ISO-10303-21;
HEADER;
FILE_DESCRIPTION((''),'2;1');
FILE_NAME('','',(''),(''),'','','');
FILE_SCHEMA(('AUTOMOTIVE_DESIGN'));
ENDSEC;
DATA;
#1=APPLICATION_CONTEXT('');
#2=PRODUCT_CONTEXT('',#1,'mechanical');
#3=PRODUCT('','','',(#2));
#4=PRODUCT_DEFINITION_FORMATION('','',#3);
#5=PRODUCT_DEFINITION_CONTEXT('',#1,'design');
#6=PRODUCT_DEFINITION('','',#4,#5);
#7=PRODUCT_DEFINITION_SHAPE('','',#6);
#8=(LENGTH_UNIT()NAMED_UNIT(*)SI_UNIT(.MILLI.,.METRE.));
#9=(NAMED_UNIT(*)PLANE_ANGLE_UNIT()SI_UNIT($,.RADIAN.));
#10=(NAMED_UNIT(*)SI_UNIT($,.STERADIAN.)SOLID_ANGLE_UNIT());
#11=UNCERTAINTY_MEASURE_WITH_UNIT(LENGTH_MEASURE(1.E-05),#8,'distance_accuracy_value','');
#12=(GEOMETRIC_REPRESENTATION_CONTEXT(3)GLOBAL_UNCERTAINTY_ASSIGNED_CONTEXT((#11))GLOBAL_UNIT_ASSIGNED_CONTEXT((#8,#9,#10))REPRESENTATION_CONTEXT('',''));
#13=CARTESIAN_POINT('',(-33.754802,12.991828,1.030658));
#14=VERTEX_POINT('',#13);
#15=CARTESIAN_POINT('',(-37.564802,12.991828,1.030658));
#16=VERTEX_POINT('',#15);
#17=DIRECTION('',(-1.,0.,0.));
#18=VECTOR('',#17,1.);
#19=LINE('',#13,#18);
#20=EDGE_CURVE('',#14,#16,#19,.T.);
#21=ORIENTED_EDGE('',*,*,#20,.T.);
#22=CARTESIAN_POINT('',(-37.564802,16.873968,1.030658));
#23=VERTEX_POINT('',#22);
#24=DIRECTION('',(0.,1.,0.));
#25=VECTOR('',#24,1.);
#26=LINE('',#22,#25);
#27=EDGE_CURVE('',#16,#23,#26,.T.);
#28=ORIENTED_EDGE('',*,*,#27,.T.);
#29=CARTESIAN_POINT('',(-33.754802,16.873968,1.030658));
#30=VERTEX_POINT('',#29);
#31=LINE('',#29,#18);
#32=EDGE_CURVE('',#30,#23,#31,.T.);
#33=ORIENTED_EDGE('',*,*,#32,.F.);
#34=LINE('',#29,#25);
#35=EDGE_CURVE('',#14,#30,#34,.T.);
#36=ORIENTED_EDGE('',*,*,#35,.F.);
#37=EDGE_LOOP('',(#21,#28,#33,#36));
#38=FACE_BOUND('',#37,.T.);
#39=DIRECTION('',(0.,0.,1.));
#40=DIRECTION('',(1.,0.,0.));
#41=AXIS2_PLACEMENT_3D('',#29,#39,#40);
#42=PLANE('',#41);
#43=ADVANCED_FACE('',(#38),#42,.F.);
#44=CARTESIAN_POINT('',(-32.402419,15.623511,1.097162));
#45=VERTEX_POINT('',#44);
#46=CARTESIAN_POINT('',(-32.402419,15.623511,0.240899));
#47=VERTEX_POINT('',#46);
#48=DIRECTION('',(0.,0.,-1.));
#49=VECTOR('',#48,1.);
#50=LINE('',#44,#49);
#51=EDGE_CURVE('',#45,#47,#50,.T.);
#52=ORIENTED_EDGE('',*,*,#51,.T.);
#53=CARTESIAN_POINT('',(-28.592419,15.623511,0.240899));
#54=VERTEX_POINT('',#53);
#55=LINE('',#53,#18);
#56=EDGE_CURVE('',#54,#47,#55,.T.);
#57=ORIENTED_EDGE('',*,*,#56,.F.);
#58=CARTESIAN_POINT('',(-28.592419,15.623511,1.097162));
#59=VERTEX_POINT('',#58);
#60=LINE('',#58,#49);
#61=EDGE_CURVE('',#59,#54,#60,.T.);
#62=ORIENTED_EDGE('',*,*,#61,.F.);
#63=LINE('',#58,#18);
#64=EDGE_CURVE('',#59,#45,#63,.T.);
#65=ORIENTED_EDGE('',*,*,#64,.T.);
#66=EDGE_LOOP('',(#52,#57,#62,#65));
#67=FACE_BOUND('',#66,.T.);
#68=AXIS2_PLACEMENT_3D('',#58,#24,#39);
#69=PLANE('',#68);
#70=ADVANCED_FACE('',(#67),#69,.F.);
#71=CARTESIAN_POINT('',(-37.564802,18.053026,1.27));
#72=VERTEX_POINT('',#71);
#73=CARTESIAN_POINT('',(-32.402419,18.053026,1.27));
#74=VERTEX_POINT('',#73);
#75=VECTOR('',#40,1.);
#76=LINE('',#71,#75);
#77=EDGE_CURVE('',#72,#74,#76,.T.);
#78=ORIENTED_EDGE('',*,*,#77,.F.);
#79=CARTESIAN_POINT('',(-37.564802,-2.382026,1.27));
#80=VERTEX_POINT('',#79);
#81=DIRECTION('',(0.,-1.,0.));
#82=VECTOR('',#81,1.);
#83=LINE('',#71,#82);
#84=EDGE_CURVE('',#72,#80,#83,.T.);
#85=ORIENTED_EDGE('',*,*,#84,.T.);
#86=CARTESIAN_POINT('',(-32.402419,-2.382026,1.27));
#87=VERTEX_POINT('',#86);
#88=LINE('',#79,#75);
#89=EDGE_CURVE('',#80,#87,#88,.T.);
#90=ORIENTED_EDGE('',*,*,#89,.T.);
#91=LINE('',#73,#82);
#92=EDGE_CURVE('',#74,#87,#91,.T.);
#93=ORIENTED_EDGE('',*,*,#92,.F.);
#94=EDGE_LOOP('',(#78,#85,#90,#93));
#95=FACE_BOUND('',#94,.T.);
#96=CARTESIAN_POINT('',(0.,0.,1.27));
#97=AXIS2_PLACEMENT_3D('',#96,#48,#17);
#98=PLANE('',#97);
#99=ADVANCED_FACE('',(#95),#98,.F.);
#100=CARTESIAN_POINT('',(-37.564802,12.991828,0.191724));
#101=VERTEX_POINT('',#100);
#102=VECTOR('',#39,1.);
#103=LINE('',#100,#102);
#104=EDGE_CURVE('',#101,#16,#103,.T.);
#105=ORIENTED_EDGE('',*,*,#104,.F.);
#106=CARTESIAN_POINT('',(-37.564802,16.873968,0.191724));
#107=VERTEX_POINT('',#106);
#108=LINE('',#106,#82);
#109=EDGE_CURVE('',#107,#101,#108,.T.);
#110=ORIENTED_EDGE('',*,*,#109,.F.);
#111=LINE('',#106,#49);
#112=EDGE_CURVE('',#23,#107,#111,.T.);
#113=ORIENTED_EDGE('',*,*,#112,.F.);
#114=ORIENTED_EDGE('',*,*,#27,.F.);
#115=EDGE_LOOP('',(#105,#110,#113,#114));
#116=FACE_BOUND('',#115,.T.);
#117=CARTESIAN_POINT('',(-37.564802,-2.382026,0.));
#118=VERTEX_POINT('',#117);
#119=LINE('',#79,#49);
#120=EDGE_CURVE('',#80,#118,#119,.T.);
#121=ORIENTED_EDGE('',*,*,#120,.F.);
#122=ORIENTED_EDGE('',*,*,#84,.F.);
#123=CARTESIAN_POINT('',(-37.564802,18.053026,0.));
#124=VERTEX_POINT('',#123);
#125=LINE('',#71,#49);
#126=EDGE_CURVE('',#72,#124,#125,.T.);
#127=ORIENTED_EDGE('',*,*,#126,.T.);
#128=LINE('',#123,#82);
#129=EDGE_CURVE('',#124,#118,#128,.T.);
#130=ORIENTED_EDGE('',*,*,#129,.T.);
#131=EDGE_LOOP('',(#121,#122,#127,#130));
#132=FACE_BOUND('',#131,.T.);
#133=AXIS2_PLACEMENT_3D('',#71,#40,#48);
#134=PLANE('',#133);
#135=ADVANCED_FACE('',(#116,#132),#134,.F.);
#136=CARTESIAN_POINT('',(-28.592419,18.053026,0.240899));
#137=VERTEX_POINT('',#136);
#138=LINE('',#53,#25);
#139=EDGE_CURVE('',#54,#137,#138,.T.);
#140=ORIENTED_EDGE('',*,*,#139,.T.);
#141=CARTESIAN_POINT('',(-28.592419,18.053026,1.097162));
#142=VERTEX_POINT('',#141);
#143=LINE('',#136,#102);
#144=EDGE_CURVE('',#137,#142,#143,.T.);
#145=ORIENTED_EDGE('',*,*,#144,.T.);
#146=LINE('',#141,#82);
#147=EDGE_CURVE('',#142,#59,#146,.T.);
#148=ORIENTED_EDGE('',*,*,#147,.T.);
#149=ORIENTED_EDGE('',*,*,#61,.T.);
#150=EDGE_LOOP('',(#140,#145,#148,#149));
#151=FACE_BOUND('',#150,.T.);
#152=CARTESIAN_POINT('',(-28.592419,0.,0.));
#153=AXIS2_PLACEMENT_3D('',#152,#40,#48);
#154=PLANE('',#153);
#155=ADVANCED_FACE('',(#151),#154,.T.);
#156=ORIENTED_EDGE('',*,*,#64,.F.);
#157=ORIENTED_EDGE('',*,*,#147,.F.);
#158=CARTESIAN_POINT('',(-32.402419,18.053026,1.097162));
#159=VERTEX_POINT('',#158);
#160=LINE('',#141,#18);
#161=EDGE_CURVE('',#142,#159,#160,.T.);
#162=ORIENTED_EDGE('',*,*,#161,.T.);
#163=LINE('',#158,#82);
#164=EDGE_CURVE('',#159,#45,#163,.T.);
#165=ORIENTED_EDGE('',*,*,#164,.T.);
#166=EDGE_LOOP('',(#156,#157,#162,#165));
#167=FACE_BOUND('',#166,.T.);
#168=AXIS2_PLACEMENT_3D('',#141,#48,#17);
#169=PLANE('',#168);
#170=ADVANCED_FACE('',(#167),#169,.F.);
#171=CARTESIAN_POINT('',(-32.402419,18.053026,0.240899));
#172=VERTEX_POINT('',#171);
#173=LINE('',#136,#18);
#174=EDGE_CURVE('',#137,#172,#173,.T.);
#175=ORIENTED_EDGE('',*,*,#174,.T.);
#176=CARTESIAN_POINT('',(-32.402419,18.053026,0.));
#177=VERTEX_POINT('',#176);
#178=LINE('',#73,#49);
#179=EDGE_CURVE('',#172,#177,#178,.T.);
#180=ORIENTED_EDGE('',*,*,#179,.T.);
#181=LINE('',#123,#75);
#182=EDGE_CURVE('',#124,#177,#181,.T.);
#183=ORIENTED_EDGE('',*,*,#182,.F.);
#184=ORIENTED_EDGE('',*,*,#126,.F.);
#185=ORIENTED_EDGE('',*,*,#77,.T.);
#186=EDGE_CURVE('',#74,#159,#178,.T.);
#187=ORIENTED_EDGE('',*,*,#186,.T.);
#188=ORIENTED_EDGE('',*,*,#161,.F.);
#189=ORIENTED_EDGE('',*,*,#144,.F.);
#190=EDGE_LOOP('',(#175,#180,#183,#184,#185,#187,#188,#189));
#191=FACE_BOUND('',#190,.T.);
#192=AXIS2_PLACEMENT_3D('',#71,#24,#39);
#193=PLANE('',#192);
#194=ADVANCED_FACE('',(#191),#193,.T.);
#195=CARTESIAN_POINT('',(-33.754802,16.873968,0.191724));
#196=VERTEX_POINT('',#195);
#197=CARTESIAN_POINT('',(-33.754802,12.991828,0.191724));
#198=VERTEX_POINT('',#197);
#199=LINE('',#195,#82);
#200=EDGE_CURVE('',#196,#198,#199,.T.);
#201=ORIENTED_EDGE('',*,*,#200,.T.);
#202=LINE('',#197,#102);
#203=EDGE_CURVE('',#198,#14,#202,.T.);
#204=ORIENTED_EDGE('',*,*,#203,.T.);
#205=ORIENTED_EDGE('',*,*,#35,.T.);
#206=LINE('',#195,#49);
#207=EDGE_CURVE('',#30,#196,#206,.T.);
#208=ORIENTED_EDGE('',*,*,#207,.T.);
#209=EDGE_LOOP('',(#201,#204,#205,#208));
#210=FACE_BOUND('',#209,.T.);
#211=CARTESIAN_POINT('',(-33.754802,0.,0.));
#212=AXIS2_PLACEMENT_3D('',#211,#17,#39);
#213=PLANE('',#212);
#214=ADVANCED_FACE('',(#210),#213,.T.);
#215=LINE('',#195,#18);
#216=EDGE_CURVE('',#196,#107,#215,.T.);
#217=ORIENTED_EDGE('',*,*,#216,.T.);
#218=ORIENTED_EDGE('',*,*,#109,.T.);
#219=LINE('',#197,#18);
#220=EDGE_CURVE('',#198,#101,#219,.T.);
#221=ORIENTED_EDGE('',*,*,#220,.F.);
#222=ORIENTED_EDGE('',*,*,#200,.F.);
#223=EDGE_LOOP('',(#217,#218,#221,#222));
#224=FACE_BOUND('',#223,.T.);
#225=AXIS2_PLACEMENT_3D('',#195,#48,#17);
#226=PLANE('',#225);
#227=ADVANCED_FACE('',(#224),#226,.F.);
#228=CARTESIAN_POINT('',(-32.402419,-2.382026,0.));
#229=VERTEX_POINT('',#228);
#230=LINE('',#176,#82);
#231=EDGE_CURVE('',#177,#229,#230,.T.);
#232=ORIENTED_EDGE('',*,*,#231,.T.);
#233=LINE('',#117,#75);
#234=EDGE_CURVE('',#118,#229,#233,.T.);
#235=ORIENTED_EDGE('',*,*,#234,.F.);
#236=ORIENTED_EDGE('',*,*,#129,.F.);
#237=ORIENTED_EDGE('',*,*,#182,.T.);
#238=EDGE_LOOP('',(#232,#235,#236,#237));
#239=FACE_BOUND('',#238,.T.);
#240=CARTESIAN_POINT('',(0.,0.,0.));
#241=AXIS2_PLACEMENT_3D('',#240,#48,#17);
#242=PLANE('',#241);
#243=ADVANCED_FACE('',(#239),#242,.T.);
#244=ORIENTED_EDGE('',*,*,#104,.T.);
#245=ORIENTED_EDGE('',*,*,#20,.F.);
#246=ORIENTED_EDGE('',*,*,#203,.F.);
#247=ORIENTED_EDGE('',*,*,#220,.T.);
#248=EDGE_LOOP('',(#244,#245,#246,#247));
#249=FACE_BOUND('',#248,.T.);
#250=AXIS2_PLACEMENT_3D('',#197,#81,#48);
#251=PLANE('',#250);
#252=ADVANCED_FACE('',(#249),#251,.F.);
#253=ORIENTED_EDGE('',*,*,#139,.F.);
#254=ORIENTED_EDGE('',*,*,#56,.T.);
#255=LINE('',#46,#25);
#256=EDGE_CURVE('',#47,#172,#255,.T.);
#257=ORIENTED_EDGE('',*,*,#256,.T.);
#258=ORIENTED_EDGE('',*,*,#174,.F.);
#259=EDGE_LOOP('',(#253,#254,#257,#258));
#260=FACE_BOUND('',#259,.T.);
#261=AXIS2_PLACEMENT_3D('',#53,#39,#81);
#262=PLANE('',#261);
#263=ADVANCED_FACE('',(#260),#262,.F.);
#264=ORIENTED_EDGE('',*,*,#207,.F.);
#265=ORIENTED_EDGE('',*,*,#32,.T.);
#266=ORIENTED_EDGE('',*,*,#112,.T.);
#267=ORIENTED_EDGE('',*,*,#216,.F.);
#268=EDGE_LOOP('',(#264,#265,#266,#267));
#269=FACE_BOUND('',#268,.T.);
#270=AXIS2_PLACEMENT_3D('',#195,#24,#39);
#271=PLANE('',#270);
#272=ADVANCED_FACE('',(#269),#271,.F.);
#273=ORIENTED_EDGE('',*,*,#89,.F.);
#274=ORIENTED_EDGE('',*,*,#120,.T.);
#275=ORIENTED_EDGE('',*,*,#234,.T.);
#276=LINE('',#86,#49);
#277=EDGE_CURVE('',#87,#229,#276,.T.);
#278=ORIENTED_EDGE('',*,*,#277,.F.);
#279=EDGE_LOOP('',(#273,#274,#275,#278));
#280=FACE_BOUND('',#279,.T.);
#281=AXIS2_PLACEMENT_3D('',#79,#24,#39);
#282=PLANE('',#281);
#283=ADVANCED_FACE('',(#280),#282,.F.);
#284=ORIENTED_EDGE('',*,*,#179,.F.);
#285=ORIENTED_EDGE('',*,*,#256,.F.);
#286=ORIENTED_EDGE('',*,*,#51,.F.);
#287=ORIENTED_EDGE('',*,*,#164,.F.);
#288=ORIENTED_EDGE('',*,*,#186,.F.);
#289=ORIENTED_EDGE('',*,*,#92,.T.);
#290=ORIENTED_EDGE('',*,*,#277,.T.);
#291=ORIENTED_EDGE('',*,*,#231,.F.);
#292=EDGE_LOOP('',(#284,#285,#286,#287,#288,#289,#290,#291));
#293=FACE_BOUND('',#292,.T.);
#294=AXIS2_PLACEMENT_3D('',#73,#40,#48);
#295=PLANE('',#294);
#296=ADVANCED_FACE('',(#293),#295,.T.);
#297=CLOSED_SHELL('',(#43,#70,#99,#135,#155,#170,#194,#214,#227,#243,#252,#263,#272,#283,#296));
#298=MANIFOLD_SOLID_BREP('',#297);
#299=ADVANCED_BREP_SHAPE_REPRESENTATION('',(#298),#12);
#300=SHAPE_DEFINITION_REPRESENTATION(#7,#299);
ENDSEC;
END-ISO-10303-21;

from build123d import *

# Parameters (mm, degrees)
SKETCH1_W           = 5.162383308
SKETCH1_H           = 20.435052184
BOSS_EXTRUDE1_DEPTH = 1.27
SKETCH2_W           = 0.838933851
SKETCH2_H           = 3.882140463
CUT_EXTRUDE1_DEPTH  = 3.81
SKETCH3_W           = 0.856262928
SKETCH3_H           = 2.429514696
BOSS_EXTRUDE2_DEPTH = 3.81


with BuildPart() as part:
    # Sketch1 → Boss-Extrude1 (new body)
    with BuildSketch(Plane.XY):
        with Locations((-34.98361032, 7.835499756)):
            Rectangle(SKETCH1_W, SKETCH1_H)
    extrude(amount=BOSS_EXTRUDE1_DEPTH)

    # Sketch2 → Cut-Extrude1 (cut)
    with BuildSketch(Plane.ZY.offset(37.564801974)):
        with Locations((0.611191145, 14.932897959)):
            Rectangle(SKETCH2_W, SKETCH2_H)
    extrude(amount=-CUT_EXTRUDE1_DEPTH, mode=Mode.SUBTRACT)

    # Sketch3 → Boss-Extrude2 (add)
    with BuildSketch(Plane(origin=(-32.402418666, 0, 0), x_dir=(0, 0, -1), z_dir=(1, 0, 0))):
        with Locations((-0.669030721, 16.8382685)):
            Rectangle(SKETCH3_W, SKETCH3_H)
    extrude(amount=BOSS_EXTRUDE2_DEPTH)


solid = part.part
